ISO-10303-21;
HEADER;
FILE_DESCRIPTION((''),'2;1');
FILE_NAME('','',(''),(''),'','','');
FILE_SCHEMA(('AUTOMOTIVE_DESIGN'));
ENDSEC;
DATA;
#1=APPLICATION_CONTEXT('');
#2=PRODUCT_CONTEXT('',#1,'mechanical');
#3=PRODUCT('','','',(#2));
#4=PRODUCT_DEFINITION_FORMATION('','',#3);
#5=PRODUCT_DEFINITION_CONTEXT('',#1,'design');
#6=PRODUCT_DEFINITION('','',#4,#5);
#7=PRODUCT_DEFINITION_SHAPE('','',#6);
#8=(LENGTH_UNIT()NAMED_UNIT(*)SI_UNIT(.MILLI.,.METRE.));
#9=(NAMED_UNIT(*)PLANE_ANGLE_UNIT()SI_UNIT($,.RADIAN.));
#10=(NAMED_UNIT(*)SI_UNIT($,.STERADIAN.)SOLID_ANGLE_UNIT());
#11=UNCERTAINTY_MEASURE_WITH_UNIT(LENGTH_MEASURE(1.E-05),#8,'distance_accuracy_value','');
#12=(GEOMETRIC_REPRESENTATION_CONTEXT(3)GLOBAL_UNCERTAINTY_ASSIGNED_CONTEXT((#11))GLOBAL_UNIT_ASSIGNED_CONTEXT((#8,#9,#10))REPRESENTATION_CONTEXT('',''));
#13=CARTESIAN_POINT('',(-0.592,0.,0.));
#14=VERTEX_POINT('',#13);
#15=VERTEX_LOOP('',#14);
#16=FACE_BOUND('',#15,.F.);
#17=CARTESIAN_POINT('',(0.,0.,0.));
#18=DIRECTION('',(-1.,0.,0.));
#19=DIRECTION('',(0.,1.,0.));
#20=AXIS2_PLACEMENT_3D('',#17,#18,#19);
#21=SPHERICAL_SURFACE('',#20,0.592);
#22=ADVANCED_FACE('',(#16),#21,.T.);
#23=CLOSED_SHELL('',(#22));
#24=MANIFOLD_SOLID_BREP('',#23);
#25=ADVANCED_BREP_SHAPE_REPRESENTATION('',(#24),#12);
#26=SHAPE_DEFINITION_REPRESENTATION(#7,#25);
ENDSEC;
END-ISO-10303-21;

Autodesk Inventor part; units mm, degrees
sketch "Sketch_1" plane through (0, 0, 0) normal (0, 0, 1) x (1, 0, 0)
  line L0 (0.592, 0) -> (-0.592, 0)
  arc A0 (0.592, 0) -> (-0.592, 0) centre (0, 0) ccw
  line L1 (0.592, 0) -> (-0.592, 0)
revolve "Revolution1" add sketch "Sketch_1" angle 360 about axis through (0.592, 0, 0) along (1, 0, 0)
ref_plane "mss_ball_XY" through (0, 0, 0) normal (1, 0, 0) x (0, 0, -1)
ref_plane "mss_ball_YZ" through (0, 0, 0) normal (0, 0, -1) x (0, 1, 0)
ref_plane "mss_ball_ZX" through (0, 0, 0) normal (0, 1, 0) x (1, 0, 0)
properties part number "676A Ball"
